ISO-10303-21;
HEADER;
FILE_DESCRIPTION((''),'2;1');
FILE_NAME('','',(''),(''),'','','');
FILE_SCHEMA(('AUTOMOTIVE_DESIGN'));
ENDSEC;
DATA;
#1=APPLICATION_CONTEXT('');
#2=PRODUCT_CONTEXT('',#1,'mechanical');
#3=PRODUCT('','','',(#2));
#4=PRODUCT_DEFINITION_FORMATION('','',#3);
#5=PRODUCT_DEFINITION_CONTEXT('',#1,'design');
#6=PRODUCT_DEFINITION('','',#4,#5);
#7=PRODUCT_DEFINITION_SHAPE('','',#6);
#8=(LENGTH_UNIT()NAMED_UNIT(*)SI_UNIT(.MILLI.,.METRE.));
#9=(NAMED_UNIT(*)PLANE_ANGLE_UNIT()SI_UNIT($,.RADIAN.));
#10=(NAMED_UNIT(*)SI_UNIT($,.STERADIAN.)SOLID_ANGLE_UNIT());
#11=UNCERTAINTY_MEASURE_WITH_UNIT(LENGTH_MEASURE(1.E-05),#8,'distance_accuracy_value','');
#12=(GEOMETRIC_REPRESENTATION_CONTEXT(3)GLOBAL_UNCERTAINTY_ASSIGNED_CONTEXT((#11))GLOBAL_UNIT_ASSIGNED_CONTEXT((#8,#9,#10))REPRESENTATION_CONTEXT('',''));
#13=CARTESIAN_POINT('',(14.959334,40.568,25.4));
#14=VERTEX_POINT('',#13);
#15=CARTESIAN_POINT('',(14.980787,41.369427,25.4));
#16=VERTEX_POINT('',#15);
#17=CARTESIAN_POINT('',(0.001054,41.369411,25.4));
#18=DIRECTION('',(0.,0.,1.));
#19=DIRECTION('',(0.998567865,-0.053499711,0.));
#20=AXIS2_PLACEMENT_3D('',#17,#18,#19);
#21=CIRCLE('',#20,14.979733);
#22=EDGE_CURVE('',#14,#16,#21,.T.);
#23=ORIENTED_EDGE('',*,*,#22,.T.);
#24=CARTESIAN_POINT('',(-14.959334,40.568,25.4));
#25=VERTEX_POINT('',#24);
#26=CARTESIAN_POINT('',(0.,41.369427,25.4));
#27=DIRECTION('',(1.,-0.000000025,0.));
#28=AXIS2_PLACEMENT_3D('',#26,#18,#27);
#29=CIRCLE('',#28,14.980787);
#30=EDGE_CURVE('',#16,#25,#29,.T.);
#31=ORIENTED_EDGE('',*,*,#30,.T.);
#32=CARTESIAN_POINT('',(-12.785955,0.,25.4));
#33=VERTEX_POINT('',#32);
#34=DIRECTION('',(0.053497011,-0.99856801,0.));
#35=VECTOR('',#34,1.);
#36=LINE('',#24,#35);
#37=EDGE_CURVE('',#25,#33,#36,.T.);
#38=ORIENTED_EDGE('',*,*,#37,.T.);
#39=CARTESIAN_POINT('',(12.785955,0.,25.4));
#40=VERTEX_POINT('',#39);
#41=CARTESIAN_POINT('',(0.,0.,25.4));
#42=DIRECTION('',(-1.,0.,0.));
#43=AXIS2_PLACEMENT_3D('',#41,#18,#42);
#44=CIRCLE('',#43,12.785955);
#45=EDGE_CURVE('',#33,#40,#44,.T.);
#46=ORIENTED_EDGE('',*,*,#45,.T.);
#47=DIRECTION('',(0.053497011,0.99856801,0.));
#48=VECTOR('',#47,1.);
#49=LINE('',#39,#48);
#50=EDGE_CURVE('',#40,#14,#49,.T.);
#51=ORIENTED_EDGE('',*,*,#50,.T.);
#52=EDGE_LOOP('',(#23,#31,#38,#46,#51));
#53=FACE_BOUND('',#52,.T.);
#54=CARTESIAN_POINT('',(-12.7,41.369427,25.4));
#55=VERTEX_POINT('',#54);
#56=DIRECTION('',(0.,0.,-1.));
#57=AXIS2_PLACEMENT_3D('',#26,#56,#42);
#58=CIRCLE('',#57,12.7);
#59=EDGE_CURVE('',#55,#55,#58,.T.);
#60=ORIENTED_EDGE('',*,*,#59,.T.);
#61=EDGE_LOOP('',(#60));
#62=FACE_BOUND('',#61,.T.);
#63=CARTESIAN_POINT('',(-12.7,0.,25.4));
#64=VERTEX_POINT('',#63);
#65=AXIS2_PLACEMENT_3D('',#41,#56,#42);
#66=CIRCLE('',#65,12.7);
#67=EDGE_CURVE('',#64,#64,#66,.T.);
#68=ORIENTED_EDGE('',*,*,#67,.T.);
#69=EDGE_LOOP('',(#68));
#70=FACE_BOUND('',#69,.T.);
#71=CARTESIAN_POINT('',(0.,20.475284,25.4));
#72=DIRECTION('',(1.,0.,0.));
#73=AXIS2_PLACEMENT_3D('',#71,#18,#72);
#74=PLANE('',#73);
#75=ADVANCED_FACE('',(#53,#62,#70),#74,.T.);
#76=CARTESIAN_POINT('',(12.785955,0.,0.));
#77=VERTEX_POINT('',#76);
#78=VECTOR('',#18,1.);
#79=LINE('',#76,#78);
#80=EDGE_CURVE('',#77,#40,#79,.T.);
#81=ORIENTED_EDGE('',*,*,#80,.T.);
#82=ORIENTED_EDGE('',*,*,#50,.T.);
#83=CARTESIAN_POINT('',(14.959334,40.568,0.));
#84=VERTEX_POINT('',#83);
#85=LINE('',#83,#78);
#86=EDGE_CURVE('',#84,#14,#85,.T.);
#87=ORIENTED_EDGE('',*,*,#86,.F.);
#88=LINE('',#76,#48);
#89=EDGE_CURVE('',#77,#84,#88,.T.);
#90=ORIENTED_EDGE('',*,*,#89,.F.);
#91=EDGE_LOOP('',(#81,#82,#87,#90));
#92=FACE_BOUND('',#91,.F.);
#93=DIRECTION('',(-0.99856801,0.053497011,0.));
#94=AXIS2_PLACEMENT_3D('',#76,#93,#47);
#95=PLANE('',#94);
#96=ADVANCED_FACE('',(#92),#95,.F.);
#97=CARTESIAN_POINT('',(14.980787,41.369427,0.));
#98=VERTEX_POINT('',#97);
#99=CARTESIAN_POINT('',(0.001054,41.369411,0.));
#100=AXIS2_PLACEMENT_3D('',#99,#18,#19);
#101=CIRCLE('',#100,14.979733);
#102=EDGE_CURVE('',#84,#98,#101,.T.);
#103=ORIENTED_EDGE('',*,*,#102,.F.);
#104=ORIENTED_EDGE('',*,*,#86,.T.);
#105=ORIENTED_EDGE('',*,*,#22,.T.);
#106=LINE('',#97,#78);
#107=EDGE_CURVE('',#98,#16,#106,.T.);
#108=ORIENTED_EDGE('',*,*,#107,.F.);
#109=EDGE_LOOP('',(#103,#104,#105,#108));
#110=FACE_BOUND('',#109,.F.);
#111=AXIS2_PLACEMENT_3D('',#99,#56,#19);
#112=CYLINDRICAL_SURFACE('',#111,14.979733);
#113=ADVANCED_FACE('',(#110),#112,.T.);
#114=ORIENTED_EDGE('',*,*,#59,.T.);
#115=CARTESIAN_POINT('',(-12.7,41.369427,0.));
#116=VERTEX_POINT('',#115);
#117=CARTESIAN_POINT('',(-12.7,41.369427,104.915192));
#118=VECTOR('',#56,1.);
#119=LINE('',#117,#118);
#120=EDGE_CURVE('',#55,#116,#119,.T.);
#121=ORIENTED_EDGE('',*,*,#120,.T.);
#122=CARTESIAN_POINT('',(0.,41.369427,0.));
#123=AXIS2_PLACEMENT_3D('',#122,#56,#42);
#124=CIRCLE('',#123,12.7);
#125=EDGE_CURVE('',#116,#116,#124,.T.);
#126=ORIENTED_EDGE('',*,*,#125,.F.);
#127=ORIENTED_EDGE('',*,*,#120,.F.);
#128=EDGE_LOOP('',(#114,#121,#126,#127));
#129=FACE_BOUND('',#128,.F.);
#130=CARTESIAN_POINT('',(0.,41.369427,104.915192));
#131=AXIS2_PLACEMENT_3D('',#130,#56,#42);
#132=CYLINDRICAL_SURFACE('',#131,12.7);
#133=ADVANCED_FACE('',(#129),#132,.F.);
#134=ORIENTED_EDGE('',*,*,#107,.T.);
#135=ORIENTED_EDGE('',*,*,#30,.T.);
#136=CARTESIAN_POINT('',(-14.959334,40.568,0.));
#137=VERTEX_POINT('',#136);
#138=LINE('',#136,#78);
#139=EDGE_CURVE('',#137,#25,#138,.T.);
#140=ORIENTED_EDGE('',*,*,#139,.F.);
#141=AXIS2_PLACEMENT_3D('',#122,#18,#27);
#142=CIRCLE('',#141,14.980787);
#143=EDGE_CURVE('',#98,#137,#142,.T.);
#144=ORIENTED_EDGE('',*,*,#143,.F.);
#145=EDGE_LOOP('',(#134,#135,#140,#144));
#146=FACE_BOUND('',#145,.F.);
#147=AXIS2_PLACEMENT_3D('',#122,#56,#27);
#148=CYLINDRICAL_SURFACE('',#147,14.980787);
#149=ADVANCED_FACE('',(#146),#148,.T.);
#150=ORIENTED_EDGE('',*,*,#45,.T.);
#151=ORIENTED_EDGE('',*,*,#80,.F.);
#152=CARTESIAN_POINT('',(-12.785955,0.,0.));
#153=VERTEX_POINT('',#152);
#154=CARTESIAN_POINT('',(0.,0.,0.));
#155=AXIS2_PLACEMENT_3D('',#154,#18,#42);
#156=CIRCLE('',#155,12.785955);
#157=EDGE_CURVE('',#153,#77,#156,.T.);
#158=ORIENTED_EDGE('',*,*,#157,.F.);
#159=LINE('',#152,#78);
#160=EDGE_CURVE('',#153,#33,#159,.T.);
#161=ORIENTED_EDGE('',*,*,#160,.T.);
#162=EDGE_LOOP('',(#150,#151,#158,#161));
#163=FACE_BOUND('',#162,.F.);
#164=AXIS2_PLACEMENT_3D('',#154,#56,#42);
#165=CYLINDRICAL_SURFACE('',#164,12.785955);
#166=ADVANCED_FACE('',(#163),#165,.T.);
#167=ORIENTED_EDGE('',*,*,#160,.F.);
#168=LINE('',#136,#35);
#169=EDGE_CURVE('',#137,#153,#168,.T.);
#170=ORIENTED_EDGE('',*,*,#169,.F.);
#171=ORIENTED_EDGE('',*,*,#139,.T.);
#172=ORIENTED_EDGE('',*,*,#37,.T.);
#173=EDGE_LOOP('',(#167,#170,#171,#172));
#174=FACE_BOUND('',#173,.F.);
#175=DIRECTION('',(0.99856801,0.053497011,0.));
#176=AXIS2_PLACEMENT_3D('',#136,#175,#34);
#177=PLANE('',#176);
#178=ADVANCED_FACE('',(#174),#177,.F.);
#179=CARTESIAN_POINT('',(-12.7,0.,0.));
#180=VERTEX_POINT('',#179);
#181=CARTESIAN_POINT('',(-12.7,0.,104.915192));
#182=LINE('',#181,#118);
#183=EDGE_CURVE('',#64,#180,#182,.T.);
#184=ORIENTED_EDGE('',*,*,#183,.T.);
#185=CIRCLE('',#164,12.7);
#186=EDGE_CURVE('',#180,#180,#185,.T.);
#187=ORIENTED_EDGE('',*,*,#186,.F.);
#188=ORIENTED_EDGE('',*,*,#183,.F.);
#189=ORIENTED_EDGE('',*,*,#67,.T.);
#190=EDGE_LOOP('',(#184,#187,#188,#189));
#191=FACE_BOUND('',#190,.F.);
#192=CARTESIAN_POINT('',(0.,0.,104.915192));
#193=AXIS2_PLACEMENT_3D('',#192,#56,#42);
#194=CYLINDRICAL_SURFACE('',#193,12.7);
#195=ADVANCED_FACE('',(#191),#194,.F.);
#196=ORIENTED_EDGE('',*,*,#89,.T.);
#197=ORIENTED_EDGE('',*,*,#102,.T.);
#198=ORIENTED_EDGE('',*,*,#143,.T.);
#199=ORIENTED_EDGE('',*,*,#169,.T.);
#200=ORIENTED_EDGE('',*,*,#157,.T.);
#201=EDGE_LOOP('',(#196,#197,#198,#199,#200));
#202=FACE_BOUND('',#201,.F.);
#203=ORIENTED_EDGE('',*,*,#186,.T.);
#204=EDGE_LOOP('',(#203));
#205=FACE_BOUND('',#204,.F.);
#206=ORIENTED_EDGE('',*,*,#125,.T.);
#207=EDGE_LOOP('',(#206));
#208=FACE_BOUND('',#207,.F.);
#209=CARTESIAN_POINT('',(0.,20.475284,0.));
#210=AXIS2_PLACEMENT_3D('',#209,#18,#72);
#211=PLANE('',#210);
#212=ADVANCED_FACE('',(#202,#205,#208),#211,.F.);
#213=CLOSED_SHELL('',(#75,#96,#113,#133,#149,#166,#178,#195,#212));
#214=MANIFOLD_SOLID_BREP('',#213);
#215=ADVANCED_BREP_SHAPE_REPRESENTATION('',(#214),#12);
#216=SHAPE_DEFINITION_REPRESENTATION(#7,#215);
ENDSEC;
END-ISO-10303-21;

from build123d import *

# Parameters (mm, degrees)
F1_DEPTH = 25.4
F3_D     = 25.4


with BuildPart() as f1:
    # F0 (on Top) → F1 (new body)
    with BuildSketch(Plane.XY):
        with BuildLine():
            ThreePointArc((14.959334, 40.568), (0, 26.38864), (-14.959334, 40.568))
            Line((-14.959334, 40.568), (-12.785955, 0))
            ThreePointArc((-12.785955, 0), (0, 12.785955), (12.785955, 0))
            Line((12.785955, 0), (14.959334, 40.568))
        make_face()
        with BuildLine():
            ThreePointArc((14.959334, 40.568), (14.975423, 40.96857), (14.980787, 41.369427))
            ThreePointArc((14.980787, 41.369427), (-0.400857, 56.34485), (-14.959334, 40.568))
            ThreePointArc((-14.959334, 40.568), (0, 26.38864), (14.959334, 40.568))
        make_face()
        with BuildLine():
            ThreePointArc((12.785955, 0), (0, 12.785955), (-12.785955, 0))
            ThreePointArc((-12.785955, 0), (0, -12.785955), (12.785955, 0))
        make_face()
    extrude(amount=F1_DEPTH)

    # F3 (through all)
    with Locations(Plane.XY.offset(25.4)):
        with Locations((0, 0), (0, 41.369427)):
            Hole(F3_D / 2)


solid = f1.part
